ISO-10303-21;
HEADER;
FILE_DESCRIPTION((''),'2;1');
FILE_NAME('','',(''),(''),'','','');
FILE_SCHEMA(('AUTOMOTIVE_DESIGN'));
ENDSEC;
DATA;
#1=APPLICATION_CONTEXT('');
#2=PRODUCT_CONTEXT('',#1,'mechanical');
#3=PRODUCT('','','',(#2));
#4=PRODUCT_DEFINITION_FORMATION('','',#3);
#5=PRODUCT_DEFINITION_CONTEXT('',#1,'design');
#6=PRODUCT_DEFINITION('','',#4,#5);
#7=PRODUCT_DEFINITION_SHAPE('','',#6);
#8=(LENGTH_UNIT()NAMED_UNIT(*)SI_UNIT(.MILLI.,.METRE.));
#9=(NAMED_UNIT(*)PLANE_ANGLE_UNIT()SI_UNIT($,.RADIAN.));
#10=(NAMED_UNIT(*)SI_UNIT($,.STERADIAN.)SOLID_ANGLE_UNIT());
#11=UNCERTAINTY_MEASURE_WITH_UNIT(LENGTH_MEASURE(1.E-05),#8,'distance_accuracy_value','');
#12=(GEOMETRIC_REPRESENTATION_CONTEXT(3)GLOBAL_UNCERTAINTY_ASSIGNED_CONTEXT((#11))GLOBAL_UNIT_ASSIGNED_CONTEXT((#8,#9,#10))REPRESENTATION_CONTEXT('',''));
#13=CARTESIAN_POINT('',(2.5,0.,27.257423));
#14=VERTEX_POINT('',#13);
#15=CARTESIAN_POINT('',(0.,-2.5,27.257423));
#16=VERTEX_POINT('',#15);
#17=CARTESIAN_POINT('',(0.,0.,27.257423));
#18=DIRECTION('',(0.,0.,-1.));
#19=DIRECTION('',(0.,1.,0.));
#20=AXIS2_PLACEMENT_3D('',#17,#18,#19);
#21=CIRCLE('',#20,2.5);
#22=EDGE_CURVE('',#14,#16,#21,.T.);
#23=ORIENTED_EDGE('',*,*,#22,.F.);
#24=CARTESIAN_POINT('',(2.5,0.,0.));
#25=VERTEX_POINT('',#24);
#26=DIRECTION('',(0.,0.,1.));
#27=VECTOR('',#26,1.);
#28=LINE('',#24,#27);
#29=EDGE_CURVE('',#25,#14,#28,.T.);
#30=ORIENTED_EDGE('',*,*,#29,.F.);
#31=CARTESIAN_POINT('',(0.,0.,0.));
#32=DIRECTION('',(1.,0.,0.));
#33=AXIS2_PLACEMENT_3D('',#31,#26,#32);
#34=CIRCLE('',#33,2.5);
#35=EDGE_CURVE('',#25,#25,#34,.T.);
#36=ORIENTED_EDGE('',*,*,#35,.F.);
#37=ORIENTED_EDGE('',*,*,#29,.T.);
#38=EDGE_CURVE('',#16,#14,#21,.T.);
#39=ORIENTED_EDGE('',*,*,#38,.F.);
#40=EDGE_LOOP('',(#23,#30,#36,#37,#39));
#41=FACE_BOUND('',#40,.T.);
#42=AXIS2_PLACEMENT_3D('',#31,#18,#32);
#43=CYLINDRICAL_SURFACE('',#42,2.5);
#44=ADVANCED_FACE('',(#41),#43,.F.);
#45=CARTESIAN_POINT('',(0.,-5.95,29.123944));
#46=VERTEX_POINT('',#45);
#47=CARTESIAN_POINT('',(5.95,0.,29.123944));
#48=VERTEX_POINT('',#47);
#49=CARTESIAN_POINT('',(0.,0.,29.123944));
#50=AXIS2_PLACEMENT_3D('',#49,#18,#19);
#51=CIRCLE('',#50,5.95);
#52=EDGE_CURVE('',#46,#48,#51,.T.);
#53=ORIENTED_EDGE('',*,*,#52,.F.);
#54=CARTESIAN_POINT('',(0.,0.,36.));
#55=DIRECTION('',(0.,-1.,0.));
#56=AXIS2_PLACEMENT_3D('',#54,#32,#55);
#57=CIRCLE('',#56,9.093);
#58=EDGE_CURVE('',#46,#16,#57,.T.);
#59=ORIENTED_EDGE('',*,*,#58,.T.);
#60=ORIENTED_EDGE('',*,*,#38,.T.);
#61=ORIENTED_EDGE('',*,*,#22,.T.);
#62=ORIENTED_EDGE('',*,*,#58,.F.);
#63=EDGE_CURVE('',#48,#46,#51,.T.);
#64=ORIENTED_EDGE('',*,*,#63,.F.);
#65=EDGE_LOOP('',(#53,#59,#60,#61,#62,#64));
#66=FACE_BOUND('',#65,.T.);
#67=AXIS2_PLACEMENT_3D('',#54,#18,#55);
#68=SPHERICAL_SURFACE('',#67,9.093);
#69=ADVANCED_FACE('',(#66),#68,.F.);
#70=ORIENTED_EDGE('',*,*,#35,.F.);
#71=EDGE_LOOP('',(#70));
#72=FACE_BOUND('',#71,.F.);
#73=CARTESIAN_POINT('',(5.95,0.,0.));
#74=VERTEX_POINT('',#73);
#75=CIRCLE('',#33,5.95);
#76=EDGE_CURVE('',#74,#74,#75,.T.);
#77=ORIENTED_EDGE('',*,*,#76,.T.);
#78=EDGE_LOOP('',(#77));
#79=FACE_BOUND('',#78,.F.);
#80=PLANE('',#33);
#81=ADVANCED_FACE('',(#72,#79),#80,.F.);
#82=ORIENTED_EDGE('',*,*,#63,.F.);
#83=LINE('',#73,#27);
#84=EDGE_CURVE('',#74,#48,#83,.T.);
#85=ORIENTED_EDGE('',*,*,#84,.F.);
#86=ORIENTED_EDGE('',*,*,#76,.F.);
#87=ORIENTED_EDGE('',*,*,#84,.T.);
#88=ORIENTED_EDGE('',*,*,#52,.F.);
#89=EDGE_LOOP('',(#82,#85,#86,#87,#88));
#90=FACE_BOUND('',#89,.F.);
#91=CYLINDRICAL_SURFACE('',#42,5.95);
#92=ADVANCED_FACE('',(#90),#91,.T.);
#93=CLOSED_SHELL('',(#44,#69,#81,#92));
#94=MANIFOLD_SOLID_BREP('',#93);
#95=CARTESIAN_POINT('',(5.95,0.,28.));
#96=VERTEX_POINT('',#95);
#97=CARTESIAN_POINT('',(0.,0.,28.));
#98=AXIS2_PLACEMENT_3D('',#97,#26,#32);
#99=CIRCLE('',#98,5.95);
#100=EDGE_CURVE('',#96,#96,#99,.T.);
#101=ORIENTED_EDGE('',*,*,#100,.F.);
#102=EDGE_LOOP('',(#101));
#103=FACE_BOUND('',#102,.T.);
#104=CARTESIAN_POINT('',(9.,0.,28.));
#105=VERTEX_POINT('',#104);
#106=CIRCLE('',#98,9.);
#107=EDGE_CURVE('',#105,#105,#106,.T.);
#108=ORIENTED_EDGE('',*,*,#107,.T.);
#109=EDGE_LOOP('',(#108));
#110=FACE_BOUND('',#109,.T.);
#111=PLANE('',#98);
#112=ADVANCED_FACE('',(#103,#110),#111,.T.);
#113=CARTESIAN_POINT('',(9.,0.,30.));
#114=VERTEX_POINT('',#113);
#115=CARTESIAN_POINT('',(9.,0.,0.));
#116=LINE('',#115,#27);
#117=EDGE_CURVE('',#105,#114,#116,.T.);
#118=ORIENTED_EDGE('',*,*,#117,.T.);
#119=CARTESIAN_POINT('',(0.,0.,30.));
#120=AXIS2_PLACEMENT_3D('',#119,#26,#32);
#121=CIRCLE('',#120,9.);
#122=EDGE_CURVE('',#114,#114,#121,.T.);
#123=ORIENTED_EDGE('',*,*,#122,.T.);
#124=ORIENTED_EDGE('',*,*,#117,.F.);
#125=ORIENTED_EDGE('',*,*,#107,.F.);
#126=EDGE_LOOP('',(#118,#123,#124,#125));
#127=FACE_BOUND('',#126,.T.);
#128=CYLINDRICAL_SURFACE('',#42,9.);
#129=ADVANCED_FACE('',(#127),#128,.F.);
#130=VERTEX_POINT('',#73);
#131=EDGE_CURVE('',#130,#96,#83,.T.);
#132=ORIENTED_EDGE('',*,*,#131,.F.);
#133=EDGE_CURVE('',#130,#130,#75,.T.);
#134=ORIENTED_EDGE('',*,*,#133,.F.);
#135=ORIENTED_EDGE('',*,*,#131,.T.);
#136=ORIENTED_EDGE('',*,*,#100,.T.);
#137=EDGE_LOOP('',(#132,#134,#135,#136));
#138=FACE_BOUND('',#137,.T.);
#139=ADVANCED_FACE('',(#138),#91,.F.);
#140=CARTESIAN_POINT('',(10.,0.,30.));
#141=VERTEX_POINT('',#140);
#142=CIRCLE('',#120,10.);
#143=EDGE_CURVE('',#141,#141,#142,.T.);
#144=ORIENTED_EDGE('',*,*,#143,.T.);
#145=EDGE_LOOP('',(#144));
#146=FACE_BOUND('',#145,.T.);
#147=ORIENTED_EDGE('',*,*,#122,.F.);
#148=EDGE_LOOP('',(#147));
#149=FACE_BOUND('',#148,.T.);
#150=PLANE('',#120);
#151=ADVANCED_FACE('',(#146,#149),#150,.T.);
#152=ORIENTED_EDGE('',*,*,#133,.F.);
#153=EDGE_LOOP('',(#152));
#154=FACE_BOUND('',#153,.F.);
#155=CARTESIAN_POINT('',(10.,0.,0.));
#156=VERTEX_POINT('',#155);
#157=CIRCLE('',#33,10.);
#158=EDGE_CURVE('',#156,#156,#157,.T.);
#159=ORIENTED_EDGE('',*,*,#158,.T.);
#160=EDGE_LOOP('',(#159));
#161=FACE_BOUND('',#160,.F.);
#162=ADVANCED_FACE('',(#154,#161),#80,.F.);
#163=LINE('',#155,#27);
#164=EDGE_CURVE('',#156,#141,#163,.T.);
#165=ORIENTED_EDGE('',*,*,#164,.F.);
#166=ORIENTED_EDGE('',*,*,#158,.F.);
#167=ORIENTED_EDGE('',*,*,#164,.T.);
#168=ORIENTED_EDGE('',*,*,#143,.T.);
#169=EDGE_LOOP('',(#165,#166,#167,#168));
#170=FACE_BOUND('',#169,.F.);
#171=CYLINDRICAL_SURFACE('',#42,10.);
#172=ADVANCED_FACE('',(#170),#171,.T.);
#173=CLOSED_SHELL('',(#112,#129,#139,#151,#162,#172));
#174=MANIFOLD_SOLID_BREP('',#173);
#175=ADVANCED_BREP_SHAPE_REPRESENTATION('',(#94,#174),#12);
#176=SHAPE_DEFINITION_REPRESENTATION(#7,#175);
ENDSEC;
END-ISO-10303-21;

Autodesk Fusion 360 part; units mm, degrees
sketch "Sketch1" plane through (0, 0, 0) normal (0, 0, 1) x (1, 0, 0)
  circle A0 centre (0, 0) radius 10
  circle A1 centre (0, 0) radius 9
  circle A2 centre (0, 0) radius 5.95
  circle A3 centre (0, 0) radius 2.5
  dimension "d1" = 20
  dimension "d2" = 18
  dimension "d3" = 11.9
  dimension "d8" = 5
extrude "Extrude1" add sketch "Sketch1" along normal blind 30 makes body 1 at (9.9503, -0.9957, 20) makes body 2 at (5.9204, -0.5924, 20)
extrude "Extrude2" add sketch "Sketch1" along normal blind 28 contours A1 bodies 1
sketch "Sketch2" plane through (0, 0, 0) normal (1, 0, 0) x (0, 0, -1)
  circle A0 centre (-30, 7.5) radius 1.5
  arc A1 (-36, -9.093) -> (-26.907, 0) centre (-36, 0) ccw
  line L0 (-1.75, 0) -> (-22.5, 0)
  line L1 (-26.907, 0) -> (-36, 0)
  line L2 (-36, 0) -> (-36, -9.093)
  dimension "d10" = 3
  dimension "d11" = 7.5
  dimension "d13" = 36
revolve "Revolve1" cut sketch "Sketch2" angle 360 about axis through (0, 0, 1.75) along (0, 0, 1) contours A1 L1 L2 bodies 2
equation "d3 = d2 - ( 2 * 3.05 ) * 1 mm"
equation "d8 = stepperaxis"
equation "stepperaxis = 5 mm"
